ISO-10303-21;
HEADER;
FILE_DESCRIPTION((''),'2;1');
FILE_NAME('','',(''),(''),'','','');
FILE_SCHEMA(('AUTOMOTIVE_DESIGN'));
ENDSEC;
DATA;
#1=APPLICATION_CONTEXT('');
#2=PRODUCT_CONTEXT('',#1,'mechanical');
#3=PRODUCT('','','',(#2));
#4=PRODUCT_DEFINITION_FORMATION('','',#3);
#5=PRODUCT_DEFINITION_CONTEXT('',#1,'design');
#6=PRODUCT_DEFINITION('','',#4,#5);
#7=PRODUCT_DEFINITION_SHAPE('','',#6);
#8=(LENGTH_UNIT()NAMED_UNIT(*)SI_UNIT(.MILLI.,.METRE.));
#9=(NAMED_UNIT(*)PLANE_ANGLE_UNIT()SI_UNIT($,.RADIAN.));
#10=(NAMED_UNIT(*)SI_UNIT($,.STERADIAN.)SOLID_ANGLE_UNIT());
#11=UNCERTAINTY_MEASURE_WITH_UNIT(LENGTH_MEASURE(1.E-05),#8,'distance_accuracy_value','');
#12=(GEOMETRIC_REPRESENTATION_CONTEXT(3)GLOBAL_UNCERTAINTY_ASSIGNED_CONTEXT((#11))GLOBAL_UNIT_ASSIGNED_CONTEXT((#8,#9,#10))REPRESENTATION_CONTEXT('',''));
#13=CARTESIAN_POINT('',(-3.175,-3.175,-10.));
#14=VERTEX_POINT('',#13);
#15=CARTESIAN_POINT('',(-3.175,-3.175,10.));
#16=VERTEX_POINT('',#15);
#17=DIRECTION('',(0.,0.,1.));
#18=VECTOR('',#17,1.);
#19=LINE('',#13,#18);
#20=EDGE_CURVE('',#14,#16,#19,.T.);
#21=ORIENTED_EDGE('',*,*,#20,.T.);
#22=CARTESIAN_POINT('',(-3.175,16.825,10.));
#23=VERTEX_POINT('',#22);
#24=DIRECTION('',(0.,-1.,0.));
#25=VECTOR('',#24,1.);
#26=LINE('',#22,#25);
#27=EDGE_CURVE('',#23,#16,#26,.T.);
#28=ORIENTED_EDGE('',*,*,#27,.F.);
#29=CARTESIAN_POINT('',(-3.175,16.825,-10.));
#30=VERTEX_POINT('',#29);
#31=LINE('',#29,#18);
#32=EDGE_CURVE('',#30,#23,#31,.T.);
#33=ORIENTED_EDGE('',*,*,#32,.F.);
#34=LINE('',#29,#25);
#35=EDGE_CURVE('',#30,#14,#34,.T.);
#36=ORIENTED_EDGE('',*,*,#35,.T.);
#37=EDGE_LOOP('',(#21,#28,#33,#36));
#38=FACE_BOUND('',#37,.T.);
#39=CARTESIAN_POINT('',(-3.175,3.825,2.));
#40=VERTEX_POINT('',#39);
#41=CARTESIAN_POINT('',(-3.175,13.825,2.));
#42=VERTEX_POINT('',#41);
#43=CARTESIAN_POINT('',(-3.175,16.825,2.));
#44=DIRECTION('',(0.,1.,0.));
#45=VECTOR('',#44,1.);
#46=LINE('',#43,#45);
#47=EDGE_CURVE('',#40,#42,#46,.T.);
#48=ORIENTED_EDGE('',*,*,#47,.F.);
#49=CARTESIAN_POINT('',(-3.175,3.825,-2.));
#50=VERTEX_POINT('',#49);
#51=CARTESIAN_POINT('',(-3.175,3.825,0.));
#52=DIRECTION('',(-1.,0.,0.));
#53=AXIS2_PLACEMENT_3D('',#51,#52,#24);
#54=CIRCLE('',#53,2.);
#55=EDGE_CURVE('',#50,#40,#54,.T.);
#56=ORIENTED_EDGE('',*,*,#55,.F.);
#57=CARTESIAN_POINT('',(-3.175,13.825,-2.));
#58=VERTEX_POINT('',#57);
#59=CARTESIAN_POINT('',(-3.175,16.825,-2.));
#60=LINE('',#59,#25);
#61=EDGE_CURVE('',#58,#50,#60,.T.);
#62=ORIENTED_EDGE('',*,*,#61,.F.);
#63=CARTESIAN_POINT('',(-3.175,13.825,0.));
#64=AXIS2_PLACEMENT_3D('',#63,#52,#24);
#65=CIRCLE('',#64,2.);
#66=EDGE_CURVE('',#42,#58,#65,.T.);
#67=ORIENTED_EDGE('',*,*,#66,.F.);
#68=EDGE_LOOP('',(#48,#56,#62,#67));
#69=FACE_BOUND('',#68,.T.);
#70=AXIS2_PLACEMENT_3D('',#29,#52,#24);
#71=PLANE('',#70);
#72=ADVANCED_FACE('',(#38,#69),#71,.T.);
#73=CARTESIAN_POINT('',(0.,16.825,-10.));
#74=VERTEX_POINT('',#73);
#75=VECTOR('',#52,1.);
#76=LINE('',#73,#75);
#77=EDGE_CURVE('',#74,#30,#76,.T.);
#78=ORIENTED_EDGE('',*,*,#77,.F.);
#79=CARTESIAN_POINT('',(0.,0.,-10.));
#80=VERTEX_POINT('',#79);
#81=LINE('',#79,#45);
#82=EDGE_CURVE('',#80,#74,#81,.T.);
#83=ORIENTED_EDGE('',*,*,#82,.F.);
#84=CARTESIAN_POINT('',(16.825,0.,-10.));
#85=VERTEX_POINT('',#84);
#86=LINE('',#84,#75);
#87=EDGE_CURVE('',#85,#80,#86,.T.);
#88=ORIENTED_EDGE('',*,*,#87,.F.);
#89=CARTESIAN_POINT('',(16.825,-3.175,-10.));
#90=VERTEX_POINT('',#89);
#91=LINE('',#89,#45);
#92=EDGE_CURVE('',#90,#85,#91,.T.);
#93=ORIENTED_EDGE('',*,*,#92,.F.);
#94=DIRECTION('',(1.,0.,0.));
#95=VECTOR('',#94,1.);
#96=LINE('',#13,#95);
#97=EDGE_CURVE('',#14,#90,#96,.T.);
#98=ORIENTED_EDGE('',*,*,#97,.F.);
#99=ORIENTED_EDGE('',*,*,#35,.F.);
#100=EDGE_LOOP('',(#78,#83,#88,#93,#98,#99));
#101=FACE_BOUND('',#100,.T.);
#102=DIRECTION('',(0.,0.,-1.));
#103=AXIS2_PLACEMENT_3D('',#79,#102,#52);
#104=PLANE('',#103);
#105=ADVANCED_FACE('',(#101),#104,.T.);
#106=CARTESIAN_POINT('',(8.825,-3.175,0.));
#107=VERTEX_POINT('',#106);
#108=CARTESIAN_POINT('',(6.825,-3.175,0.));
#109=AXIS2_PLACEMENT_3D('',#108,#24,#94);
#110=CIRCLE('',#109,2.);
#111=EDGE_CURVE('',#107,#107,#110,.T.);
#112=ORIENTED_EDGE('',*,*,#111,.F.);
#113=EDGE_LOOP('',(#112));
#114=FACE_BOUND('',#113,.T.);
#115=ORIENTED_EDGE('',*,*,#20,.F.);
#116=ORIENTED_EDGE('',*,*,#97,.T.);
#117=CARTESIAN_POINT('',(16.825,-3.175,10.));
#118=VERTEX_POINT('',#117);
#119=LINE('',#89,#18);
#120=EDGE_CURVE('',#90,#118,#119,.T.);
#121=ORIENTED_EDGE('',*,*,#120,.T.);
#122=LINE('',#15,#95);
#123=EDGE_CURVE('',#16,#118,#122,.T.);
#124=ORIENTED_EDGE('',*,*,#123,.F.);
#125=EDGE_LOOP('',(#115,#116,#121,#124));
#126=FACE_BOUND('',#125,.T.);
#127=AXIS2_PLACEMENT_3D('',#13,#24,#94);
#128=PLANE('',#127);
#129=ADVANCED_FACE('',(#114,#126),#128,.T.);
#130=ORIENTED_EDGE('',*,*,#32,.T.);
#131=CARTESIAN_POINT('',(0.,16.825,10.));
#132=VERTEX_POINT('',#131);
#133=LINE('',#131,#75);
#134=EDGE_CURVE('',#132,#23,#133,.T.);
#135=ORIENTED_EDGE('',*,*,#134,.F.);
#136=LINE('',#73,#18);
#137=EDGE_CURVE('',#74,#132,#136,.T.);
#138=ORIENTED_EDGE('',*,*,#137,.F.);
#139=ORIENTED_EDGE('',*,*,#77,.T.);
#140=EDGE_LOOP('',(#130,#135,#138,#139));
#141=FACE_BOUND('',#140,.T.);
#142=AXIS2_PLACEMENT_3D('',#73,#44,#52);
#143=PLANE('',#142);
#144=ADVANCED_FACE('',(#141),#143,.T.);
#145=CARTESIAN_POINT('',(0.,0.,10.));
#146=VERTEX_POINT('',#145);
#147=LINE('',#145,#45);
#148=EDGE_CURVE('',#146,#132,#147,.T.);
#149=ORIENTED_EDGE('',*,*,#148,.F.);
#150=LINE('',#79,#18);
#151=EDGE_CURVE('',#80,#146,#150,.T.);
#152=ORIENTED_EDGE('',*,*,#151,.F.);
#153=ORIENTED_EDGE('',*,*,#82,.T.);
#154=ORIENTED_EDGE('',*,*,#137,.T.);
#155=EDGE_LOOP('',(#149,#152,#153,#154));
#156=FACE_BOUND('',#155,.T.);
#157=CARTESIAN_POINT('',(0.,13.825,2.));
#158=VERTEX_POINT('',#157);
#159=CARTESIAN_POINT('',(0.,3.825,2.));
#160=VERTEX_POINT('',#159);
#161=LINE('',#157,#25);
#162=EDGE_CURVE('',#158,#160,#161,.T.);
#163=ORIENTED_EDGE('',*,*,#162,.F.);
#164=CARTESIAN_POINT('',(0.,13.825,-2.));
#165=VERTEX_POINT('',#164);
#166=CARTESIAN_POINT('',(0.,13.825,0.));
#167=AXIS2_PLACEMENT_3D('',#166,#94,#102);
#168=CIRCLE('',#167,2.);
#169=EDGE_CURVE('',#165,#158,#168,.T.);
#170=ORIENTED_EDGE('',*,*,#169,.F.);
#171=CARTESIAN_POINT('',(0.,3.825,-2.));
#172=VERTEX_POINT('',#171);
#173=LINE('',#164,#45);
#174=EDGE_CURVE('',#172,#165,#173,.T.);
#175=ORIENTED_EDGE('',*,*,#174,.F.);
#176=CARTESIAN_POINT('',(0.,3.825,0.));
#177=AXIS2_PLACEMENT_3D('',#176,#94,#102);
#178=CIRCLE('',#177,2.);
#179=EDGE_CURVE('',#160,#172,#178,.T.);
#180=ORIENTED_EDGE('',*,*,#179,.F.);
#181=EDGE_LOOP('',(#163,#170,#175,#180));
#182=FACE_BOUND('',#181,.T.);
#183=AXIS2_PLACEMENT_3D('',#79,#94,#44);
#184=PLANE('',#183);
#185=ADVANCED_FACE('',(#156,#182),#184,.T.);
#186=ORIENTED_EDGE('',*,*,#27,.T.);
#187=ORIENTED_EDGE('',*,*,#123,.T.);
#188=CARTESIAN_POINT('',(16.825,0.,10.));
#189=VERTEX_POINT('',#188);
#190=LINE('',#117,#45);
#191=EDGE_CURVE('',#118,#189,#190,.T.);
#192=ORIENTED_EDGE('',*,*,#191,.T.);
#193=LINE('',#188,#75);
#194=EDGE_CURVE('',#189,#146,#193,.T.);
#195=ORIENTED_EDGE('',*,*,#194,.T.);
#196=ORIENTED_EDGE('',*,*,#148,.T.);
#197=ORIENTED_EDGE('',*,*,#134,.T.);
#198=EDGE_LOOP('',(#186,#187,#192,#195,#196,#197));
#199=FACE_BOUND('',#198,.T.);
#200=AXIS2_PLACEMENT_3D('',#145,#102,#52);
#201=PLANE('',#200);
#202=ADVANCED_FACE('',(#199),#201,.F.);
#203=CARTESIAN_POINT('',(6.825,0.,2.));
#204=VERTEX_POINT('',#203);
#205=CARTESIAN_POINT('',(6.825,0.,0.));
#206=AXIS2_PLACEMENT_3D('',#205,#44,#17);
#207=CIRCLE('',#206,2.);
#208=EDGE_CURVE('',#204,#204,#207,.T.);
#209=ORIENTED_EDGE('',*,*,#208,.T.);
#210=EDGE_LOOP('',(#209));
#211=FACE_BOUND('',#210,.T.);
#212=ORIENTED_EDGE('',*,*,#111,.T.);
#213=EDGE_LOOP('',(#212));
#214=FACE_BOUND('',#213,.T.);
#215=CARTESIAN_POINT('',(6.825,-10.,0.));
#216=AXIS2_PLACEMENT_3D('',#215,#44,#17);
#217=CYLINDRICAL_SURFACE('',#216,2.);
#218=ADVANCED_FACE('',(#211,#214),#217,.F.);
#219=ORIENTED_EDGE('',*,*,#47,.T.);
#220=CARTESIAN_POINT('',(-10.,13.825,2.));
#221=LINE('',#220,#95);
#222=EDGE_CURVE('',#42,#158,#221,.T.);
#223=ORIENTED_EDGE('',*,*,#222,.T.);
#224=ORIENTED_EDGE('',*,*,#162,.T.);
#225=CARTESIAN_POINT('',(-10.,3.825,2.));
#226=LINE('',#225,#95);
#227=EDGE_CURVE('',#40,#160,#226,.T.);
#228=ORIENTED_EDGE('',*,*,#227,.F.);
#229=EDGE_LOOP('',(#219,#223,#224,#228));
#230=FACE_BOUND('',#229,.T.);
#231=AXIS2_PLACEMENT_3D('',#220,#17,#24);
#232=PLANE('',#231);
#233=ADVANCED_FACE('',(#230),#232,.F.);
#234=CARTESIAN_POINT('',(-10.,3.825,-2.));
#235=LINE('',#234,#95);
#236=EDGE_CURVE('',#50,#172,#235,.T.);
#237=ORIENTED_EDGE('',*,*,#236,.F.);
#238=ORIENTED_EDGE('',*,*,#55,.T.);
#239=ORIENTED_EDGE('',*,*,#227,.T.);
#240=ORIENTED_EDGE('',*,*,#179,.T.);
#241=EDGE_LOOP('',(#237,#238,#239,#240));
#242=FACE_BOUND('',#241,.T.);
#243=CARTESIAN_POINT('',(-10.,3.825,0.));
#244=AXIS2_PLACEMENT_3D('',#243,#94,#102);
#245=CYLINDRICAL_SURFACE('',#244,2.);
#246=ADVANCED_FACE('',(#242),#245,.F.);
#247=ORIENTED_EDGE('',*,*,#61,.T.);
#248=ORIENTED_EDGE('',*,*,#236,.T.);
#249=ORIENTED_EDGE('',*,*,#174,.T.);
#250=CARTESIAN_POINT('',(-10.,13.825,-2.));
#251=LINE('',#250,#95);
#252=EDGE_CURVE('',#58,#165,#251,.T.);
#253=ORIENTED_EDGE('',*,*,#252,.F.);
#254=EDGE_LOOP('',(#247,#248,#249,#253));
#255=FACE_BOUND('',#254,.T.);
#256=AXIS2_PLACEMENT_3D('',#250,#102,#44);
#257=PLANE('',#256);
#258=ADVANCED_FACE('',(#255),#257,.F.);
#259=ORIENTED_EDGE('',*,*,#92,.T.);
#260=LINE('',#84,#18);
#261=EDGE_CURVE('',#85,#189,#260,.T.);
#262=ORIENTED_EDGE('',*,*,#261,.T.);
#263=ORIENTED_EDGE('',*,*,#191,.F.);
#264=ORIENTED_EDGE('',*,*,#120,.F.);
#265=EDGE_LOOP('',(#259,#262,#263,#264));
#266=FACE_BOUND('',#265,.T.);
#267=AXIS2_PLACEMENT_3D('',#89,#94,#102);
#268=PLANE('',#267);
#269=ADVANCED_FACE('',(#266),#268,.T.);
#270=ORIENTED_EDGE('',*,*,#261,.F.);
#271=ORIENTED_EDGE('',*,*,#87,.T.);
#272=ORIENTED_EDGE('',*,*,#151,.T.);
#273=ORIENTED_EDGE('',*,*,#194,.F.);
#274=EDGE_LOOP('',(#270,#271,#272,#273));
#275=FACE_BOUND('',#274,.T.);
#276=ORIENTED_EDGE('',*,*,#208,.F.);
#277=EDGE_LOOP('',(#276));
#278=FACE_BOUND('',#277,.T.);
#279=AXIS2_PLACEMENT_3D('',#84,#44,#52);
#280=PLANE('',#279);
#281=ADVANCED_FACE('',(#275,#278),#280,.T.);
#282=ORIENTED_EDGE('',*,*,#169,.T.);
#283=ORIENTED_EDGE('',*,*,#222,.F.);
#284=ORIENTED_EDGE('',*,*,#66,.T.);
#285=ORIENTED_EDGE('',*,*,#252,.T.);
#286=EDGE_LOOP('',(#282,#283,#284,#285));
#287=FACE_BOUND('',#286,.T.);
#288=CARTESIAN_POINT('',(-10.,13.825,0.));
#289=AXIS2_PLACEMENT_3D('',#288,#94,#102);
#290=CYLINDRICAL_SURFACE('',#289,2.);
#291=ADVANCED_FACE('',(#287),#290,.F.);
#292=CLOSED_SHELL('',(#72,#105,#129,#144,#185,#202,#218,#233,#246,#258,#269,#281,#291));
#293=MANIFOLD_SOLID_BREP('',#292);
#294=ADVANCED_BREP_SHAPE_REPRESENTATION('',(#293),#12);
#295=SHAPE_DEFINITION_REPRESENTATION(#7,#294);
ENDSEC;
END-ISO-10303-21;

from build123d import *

# Parameters (mm, degrees)
BOSS_EXTRUDE1_DEPTH      = 10
BOSS_EXTRUDE1_DEPTH_BACK = 10
SKETCH2_R                = 2
CUT_EXTRUDE1_DEPTH       = 10
CUT_EXTRUDE2_DEPTH       = 10


with BuildPart() as part:
    # Sketch1 → Boss-Extrude1 (new, two sides: drawn at the far end of the back side and taken through both)
    with BuildSketch(Plane.XY.offset(-BOSS_EXTRUDE1_DEPTH_BACK)):
        Polygon((0, 0), (0, 16.825), (-3.175, 16.825), (-3.175, -3.175), (16.825, -3.175), (16.825, 0), align=None)
    extrude(amount=BOSS_EXTRUDE1_DEPTH + BOSS_EXTRUDE1_DEPTH_BACK)

    # Sketch2 → Cut-Extrude1 (cut)
    with BuildSketch(Plane(origin=(0, 0, 0), x_dir=(1, 0, 0), z_dir=(0, 1, 0))):
        with Locations((6.825, 0)):
            Circle(SKETCH2_R)
    extrude(amount=-CUT_EXTRUDE1_DEPTH, mode=Mode.SUBTRACT)

    # Sketch3 → Cut-Extrude2 (cut)
    with BuildSketch(Plane(origin=(0, 0, 0), x_dir=(0, 0, -1), z_dir=(1, 0, 0))):
        with BuildLine():
            Line((2, 13.825), (2, 3.825))
            ThreePointArc((2, 3.825), (0, 1.825), (-2, 3.825))
            Line((-2, 3.825), (-2, 13.825))
            ThreePointArc((-2, 13.825), (0, 15.825), (2, 13.825))
        make_face()
    extrude(amount=-CUT_EXTRUDE2_DEPTH, mode=Mode.SUBTRACT)


solid = part.part
